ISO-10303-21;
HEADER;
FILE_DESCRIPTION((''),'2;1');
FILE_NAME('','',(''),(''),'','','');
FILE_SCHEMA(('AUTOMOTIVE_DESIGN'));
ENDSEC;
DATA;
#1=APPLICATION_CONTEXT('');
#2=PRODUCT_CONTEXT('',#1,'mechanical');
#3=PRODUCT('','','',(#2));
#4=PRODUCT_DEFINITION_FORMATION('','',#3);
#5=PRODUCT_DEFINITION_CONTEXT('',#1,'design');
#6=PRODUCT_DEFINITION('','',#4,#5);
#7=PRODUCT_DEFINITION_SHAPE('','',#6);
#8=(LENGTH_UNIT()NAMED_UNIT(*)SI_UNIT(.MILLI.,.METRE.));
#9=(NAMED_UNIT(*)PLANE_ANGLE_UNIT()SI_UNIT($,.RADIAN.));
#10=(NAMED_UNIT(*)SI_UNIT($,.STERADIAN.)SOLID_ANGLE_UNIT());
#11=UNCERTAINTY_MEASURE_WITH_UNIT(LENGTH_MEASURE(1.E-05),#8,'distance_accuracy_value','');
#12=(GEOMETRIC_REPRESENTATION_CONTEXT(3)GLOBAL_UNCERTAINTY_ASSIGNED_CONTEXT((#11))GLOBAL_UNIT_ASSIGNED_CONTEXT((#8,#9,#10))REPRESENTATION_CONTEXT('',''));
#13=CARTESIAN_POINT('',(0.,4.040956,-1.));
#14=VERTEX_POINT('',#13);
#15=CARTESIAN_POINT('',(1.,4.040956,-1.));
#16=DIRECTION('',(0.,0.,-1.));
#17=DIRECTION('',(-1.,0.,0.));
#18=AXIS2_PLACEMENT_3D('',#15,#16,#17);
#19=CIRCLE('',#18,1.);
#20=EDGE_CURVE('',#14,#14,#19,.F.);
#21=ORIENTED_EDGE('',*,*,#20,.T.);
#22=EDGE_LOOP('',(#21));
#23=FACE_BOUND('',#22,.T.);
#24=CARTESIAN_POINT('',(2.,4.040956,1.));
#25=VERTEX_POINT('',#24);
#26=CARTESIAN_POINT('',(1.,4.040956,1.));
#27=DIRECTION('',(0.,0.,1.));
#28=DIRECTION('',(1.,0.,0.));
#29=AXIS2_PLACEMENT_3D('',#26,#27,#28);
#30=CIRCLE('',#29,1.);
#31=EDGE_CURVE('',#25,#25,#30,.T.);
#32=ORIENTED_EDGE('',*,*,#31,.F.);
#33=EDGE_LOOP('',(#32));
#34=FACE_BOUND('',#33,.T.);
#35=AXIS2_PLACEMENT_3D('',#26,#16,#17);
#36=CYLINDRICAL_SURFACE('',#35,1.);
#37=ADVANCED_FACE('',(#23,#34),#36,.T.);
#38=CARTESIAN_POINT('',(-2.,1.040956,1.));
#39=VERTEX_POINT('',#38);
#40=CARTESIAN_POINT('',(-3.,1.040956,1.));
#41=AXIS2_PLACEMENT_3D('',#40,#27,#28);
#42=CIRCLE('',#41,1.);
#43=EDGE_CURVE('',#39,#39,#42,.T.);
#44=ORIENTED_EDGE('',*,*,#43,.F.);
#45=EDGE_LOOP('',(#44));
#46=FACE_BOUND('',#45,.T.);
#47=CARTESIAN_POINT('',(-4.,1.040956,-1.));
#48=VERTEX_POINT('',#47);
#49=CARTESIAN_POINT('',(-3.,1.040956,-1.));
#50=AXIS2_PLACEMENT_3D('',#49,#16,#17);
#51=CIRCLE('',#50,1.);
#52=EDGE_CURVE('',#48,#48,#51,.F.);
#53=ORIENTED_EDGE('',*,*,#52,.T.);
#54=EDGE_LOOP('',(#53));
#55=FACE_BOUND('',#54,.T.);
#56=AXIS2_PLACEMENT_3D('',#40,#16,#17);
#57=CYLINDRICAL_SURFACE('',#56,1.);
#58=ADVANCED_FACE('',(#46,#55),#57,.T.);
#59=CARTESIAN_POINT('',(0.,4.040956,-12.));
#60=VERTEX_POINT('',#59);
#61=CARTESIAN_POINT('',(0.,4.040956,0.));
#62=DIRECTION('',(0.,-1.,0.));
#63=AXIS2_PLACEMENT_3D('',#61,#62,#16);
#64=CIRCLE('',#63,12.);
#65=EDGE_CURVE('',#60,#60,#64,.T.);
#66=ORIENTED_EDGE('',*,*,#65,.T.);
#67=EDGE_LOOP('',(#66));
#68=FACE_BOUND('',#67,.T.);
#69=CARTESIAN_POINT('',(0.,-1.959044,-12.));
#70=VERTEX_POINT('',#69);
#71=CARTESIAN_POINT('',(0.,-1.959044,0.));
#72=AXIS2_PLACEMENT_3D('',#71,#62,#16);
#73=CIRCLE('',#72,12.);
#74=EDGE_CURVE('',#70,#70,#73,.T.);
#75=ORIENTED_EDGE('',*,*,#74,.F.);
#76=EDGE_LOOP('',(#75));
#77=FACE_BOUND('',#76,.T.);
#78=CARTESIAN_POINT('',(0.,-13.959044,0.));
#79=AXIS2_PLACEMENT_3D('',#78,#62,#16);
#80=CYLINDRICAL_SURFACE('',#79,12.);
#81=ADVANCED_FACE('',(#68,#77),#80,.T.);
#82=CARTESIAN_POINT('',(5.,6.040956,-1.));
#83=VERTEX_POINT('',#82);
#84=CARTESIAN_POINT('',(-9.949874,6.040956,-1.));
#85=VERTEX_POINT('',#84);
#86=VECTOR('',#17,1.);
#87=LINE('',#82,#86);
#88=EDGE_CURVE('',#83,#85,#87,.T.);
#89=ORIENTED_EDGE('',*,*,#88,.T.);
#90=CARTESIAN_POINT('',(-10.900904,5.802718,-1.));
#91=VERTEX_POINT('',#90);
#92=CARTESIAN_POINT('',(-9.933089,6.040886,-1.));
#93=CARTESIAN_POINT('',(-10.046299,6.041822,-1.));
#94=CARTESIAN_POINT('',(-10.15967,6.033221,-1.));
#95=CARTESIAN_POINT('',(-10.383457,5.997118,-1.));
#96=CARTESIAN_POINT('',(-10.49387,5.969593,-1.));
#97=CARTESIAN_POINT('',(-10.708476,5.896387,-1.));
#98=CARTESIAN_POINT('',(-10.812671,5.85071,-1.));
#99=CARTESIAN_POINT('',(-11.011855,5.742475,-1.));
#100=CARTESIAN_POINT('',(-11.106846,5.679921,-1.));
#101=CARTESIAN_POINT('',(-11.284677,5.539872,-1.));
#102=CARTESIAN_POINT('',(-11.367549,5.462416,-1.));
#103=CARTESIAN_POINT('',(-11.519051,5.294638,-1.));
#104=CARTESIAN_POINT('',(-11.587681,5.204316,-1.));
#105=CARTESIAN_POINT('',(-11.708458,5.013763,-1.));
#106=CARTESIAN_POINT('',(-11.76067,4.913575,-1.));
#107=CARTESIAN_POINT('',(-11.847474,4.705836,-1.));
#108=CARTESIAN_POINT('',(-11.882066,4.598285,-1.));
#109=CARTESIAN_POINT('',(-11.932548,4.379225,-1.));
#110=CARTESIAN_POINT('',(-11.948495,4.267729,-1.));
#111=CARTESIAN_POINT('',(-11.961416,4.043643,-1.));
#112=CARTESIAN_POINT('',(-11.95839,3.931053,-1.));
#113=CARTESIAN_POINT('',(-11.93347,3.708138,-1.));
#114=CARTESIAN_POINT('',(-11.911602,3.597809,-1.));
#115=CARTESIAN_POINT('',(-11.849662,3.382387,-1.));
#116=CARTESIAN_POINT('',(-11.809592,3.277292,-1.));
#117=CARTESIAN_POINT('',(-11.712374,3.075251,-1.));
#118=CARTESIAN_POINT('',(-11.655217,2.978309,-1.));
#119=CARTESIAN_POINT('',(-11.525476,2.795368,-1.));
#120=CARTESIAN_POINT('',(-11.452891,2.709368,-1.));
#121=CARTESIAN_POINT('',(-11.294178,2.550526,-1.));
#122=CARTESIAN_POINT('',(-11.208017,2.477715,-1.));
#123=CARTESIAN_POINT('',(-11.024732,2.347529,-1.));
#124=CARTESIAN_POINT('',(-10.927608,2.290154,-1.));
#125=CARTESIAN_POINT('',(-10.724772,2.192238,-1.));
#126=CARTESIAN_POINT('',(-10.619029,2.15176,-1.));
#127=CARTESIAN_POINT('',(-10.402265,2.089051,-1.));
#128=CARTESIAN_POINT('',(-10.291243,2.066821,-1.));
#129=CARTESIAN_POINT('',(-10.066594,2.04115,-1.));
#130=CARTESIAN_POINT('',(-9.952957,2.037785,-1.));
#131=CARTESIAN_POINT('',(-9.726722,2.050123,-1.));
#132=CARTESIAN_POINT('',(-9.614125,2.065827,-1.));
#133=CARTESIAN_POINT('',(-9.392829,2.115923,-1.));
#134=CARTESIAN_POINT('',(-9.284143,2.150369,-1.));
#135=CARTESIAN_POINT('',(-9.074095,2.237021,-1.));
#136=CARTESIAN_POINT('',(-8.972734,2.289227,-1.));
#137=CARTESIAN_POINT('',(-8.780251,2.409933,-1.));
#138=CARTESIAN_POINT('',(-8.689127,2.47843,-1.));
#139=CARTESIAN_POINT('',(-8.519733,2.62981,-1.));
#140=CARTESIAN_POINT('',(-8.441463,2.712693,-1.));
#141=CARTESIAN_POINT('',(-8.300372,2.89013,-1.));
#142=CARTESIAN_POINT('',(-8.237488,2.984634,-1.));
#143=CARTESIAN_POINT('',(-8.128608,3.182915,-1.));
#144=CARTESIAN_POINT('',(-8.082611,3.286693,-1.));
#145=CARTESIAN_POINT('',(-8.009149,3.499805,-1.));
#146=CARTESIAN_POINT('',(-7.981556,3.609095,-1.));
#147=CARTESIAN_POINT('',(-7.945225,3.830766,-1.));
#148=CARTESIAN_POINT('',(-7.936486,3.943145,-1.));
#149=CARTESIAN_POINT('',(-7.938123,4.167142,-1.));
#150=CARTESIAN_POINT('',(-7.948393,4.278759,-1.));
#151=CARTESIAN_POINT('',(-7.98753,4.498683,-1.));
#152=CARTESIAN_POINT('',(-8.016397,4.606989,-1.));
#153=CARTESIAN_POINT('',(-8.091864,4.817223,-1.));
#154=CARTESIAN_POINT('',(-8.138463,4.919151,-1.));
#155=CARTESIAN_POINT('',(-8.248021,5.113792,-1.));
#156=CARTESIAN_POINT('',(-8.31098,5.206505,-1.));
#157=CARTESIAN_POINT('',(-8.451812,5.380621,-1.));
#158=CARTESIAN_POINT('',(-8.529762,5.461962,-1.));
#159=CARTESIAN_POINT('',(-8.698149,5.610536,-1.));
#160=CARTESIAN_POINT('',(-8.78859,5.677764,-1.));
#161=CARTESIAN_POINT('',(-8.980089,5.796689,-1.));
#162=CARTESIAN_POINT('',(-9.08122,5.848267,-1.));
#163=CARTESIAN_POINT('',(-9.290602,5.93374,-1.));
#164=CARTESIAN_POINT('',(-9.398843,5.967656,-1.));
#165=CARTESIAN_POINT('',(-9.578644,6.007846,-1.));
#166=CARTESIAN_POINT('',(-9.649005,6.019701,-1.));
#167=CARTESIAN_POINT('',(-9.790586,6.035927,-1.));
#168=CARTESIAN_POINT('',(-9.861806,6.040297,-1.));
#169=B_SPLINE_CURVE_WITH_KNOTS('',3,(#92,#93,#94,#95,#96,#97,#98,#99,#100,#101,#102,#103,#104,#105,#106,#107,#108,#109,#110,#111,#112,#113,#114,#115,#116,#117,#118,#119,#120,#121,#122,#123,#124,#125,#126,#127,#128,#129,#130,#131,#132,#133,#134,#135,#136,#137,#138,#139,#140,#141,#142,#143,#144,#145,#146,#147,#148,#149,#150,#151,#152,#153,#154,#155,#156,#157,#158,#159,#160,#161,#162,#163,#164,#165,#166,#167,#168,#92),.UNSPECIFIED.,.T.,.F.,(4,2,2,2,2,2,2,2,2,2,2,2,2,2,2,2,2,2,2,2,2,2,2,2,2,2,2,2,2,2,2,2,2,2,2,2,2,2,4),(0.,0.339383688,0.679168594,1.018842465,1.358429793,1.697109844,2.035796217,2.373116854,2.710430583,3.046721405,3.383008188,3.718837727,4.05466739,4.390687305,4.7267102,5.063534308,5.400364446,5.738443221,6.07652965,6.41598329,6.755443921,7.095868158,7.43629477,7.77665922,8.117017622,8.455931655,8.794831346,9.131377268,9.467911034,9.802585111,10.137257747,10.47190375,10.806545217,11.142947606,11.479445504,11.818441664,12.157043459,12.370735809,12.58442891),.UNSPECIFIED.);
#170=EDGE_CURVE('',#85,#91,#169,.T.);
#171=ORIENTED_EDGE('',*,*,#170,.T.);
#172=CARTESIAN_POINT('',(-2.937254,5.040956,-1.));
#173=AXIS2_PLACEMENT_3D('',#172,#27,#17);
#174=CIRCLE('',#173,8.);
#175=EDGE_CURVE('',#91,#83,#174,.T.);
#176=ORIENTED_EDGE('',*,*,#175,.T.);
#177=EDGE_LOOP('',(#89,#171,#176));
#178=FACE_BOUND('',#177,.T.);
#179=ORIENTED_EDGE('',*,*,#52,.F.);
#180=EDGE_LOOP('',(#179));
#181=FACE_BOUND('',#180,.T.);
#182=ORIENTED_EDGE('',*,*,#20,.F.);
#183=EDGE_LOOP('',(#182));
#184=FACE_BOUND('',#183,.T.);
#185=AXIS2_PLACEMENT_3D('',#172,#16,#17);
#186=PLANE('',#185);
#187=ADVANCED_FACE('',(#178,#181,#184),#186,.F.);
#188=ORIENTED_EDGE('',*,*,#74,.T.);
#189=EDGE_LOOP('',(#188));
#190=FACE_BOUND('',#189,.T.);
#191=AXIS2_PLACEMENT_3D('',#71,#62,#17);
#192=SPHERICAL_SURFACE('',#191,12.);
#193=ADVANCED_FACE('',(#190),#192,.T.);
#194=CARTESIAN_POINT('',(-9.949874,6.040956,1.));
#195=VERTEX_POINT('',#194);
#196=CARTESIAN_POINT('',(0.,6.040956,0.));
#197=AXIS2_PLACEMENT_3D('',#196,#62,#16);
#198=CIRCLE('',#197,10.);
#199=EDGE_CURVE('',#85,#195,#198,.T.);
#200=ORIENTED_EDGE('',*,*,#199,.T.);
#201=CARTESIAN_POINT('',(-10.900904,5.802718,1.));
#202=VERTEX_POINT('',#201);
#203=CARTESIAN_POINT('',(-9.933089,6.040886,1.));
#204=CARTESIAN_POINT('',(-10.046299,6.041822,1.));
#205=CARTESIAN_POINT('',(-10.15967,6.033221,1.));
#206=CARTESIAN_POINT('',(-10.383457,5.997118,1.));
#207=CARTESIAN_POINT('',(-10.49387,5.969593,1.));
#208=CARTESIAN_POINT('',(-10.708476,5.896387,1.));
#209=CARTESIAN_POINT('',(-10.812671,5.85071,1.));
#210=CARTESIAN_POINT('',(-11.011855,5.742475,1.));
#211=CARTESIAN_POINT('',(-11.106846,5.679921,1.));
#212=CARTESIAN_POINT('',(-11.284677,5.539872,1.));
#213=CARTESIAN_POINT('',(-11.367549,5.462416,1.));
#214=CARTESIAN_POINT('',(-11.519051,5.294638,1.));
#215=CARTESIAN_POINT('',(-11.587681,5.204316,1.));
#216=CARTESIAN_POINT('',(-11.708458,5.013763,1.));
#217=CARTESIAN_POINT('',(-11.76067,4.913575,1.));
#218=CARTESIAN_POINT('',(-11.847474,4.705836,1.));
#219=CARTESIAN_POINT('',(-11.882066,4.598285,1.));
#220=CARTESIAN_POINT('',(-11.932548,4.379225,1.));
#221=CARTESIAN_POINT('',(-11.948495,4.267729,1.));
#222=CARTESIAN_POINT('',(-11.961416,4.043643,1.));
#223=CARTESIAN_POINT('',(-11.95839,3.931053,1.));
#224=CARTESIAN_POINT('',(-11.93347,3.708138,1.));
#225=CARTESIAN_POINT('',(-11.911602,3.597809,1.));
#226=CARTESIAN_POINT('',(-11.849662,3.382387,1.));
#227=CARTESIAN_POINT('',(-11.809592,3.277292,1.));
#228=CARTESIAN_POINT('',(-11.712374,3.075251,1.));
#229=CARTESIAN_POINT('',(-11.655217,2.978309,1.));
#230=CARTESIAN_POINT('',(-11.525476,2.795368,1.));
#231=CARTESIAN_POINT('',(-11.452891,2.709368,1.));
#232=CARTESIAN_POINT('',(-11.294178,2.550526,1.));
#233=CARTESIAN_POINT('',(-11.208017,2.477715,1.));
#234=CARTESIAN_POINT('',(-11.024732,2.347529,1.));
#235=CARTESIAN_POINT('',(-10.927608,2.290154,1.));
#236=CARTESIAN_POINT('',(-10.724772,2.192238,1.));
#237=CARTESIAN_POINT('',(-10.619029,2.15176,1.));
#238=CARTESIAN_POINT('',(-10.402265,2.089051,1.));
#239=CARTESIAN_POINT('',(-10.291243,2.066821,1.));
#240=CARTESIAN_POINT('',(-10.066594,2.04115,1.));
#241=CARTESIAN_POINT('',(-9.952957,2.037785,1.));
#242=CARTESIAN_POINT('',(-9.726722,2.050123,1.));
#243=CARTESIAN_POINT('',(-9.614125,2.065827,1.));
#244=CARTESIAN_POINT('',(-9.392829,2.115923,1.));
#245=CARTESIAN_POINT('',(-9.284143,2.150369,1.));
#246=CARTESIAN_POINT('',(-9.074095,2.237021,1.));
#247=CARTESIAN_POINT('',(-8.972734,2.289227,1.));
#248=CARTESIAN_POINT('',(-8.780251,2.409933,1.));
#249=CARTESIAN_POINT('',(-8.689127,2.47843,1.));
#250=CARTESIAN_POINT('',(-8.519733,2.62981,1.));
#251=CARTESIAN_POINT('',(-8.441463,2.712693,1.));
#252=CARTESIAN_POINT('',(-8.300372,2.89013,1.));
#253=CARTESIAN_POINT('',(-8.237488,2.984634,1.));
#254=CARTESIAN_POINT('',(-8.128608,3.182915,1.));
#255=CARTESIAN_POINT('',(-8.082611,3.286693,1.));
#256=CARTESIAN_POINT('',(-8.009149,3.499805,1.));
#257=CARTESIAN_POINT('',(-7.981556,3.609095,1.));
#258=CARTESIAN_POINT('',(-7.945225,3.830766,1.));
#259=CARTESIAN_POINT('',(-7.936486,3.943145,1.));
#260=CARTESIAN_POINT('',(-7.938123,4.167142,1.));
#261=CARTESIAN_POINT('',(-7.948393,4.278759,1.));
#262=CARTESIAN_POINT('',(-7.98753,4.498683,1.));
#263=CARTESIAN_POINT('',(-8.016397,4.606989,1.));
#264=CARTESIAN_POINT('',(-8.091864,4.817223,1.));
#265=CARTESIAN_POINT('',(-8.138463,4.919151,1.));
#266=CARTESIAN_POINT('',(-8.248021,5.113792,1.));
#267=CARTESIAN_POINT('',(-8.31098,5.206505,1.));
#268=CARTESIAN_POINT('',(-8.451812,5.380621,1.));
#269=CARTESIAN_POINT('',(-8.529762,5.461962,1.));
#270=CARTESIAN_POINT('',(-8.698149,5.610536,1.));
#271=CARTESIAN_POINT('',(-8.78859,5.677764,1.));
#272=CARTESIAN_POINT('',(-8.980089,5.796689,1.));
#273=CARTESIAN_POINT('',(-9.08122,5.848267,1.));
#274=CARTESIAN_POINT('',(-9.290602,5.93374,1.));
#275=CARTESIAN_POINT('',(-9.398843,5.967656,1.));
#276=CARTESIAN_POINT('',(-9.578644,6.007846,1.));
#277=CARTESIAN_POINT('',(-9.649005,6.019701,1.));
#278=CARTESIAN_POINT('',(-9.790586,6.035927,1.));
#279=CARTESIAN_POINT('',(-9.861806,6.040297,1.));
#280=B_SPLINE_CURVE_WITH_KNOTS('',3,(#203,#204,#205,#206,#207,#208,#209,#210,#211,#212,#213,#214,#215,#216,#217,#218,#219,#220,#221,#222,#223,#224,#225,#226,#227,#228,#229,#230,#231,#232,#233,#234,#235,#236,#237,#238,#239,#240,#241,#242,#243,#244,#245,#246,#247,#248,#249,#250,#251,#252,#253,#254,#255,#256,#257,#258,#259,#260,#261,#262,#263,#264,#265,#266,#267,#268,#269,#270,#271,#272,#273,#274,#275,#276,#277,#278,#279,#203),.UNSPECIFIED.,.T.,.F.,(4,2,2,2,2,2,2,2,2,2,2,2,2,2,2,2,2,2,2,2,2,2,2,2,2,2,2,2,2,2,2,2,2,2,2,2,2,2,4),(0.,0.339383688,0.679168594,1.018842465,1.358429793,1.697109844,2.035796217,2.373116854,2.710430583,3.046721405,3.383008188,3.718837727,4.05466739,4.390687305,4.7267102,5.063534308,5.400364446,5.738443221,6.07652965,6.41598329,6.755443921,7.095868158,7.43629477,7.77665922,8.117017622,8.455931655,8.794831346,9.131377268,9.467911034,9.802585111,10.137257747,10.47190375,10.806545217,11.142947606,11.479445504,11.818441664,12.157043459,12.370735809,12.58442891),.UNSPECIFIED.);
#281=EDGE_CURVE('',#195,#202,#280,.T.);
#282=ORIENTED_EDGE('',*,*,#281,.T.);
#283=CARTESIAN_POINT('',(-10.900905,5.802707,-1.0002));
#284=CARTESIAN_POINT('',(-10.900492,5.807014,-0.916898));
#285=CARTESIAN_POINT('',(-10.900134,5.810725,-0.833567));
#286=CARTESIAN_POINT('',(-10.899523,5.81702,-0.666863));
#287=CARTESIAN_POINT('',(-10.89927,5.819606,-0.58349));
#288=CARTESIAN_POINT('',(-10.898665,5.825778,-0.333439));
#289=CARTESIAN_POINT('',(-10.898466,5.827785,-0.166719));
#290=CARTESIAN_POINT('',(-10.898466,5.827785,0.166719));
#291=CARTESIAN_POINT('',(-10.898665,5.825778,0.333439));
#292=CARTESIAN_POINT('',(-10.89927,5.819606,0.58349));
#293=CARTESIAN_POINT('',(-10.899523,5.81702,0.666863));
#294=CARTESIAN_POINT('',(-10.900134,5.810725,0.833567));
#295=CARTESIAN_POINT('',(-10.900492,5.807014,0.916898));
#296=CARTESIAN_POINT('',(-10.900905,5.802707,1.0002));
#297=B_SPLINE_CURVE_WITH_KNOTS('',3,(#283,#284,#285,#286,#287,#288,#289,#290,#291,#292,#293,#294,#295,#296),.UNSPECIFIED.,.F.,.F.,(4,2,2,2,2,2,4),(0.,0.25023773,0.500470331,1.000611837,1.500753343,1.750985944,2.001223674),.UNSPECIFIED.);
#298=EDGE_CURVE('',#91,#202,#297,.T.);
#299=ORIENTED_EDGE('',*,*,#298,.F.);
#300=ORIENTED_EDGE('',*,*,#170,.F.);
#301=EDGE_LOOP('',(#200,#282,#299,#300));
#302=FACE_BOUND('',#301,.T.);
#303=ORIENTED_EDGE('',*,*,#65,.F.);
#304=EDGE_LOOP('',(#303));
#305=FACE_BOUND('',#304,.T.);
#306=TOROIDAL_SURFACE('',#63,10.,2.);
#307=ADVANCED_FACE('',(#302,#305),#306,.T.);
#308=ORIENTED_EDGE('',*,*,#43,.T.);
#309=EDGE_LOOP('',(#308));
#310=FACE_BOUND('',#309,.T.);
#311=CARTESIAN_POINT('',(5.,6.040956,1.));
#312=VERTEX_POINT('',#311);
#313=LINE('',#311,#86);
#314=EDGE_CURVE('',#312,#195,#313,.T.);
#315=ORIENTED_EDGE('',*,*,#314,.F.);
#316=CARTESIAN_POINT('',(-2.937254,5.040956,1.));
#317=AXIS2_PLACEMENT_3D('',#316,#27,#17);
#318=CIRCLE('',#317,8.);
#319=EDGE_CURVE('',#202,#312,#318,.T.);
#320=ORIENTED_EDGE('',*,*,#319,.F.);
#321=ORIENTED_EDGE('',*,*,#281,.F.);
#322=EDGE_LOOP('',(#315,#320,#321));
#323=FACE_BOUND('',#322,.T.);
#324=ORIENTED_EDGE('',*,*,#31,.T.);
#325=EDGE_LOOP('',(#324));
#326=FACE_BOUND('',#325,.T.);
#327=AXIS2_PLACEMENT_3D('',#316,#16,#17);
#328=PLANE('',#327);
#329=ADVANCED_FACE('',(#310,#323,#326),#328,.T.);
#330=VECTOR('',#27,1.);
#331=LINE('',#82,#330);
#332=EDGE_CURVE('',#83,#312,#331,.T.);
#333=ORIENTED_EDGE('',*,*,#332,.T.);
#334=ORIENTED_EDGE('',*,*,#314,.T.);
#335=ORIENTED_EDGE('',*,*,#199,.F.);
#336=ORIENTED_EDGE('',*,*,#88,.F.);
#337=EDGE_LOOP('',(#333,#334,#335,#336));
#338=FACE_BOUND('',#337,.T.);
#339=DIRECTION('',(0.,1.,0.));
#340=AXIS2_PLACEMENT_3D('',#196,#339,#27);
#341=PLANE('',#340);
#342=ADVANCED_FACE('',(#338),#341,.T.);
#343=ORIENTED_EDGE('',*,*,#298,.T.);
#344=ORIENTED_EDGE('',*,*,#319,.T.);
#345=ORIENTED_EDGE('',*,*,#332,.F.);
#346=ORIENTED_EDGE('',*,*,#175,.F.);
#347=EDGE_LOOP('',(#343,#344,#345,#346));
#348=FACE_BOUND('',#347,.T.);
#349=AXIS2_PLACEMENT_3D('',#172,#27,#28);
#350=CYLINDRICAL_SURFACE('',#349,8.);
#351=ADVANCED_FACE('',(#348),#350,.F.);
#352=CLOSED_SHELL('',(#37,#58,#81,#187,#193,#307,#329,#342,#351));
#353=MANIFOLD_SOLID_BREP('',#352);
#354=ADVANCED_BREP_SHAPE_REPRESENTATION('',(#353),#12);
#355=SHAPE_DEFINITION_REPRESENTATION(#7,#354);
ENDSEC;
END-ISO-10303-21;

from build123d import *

# Parameters (mm, degrees)
CUT_EXTRUDE_2_DEPTH = 1
SKETCH_3_R          = 1
EXTRUDE_2_DEPTH     = 2


with BuildPart() as part:
    # 草图1 → 旋转1 (revolve)
    with BuildSketch(Plane.XY, mode=Mode.PRIVATE) as revolve_1_sk:
        with BuildLine():
            Line((0, 6.040955631), (10, 6.040955631))
            ThreePointArc((10, 6.040955631), (11.414213562, 5.455169194), (12, 4.040955631))
            Line((12, 4.040955631), (12, -1.959044369))
            ThreePointArc((12, -1.959044369), (8.485281374, -10.444325743), (0, -13.959044369))
            Line((0, -13.959044369), (0, 6.040955631))
        make_face()
    revolve(revolve_1_sk.sketch.rotate(Axis((0, -13.959044369, 0), (0, 1, 0)), 90), axis=Axis((0, -13.959044369, 0), (0, 1, 0)))

    # 草图2 → 切除-拉伸2 (cut, symmetric)
    with BuildSketch(Plane.XY):
        with BuildLine():
            Line((5, 6.040955631), (-10, 6.040955631))
            ThreePointArc((-10, 6.040955631), (-10.461704233, 5.986933329), (-10.89846614, 5.827784833))
            ThreePointArc((-10.89846614, 5.827784833), (-2.829997478, -2.95832534), (5, 6.040955631))
        make_face()
    extrude(amount=CUT_EXTRUDE_2_DEPTH, both=True, mode=Mode.SUBTRACT)

    # 草图3 → 凸台-拉伸2 (add)
    with BuildSketch(Plane.XY.offset(-1)):
        with Locations(Location((-3, 1.040955631, 0), (0, 0, 180))):
            Circle(SKETCH_3_R)
        with Locations(Location((1, 4.040955631, 0), (0, 0, 180))):
            Circle(SKETCH_3_R)
    extrude(amount=EXTRUDE_2_DEPTH)


solid = part.part
